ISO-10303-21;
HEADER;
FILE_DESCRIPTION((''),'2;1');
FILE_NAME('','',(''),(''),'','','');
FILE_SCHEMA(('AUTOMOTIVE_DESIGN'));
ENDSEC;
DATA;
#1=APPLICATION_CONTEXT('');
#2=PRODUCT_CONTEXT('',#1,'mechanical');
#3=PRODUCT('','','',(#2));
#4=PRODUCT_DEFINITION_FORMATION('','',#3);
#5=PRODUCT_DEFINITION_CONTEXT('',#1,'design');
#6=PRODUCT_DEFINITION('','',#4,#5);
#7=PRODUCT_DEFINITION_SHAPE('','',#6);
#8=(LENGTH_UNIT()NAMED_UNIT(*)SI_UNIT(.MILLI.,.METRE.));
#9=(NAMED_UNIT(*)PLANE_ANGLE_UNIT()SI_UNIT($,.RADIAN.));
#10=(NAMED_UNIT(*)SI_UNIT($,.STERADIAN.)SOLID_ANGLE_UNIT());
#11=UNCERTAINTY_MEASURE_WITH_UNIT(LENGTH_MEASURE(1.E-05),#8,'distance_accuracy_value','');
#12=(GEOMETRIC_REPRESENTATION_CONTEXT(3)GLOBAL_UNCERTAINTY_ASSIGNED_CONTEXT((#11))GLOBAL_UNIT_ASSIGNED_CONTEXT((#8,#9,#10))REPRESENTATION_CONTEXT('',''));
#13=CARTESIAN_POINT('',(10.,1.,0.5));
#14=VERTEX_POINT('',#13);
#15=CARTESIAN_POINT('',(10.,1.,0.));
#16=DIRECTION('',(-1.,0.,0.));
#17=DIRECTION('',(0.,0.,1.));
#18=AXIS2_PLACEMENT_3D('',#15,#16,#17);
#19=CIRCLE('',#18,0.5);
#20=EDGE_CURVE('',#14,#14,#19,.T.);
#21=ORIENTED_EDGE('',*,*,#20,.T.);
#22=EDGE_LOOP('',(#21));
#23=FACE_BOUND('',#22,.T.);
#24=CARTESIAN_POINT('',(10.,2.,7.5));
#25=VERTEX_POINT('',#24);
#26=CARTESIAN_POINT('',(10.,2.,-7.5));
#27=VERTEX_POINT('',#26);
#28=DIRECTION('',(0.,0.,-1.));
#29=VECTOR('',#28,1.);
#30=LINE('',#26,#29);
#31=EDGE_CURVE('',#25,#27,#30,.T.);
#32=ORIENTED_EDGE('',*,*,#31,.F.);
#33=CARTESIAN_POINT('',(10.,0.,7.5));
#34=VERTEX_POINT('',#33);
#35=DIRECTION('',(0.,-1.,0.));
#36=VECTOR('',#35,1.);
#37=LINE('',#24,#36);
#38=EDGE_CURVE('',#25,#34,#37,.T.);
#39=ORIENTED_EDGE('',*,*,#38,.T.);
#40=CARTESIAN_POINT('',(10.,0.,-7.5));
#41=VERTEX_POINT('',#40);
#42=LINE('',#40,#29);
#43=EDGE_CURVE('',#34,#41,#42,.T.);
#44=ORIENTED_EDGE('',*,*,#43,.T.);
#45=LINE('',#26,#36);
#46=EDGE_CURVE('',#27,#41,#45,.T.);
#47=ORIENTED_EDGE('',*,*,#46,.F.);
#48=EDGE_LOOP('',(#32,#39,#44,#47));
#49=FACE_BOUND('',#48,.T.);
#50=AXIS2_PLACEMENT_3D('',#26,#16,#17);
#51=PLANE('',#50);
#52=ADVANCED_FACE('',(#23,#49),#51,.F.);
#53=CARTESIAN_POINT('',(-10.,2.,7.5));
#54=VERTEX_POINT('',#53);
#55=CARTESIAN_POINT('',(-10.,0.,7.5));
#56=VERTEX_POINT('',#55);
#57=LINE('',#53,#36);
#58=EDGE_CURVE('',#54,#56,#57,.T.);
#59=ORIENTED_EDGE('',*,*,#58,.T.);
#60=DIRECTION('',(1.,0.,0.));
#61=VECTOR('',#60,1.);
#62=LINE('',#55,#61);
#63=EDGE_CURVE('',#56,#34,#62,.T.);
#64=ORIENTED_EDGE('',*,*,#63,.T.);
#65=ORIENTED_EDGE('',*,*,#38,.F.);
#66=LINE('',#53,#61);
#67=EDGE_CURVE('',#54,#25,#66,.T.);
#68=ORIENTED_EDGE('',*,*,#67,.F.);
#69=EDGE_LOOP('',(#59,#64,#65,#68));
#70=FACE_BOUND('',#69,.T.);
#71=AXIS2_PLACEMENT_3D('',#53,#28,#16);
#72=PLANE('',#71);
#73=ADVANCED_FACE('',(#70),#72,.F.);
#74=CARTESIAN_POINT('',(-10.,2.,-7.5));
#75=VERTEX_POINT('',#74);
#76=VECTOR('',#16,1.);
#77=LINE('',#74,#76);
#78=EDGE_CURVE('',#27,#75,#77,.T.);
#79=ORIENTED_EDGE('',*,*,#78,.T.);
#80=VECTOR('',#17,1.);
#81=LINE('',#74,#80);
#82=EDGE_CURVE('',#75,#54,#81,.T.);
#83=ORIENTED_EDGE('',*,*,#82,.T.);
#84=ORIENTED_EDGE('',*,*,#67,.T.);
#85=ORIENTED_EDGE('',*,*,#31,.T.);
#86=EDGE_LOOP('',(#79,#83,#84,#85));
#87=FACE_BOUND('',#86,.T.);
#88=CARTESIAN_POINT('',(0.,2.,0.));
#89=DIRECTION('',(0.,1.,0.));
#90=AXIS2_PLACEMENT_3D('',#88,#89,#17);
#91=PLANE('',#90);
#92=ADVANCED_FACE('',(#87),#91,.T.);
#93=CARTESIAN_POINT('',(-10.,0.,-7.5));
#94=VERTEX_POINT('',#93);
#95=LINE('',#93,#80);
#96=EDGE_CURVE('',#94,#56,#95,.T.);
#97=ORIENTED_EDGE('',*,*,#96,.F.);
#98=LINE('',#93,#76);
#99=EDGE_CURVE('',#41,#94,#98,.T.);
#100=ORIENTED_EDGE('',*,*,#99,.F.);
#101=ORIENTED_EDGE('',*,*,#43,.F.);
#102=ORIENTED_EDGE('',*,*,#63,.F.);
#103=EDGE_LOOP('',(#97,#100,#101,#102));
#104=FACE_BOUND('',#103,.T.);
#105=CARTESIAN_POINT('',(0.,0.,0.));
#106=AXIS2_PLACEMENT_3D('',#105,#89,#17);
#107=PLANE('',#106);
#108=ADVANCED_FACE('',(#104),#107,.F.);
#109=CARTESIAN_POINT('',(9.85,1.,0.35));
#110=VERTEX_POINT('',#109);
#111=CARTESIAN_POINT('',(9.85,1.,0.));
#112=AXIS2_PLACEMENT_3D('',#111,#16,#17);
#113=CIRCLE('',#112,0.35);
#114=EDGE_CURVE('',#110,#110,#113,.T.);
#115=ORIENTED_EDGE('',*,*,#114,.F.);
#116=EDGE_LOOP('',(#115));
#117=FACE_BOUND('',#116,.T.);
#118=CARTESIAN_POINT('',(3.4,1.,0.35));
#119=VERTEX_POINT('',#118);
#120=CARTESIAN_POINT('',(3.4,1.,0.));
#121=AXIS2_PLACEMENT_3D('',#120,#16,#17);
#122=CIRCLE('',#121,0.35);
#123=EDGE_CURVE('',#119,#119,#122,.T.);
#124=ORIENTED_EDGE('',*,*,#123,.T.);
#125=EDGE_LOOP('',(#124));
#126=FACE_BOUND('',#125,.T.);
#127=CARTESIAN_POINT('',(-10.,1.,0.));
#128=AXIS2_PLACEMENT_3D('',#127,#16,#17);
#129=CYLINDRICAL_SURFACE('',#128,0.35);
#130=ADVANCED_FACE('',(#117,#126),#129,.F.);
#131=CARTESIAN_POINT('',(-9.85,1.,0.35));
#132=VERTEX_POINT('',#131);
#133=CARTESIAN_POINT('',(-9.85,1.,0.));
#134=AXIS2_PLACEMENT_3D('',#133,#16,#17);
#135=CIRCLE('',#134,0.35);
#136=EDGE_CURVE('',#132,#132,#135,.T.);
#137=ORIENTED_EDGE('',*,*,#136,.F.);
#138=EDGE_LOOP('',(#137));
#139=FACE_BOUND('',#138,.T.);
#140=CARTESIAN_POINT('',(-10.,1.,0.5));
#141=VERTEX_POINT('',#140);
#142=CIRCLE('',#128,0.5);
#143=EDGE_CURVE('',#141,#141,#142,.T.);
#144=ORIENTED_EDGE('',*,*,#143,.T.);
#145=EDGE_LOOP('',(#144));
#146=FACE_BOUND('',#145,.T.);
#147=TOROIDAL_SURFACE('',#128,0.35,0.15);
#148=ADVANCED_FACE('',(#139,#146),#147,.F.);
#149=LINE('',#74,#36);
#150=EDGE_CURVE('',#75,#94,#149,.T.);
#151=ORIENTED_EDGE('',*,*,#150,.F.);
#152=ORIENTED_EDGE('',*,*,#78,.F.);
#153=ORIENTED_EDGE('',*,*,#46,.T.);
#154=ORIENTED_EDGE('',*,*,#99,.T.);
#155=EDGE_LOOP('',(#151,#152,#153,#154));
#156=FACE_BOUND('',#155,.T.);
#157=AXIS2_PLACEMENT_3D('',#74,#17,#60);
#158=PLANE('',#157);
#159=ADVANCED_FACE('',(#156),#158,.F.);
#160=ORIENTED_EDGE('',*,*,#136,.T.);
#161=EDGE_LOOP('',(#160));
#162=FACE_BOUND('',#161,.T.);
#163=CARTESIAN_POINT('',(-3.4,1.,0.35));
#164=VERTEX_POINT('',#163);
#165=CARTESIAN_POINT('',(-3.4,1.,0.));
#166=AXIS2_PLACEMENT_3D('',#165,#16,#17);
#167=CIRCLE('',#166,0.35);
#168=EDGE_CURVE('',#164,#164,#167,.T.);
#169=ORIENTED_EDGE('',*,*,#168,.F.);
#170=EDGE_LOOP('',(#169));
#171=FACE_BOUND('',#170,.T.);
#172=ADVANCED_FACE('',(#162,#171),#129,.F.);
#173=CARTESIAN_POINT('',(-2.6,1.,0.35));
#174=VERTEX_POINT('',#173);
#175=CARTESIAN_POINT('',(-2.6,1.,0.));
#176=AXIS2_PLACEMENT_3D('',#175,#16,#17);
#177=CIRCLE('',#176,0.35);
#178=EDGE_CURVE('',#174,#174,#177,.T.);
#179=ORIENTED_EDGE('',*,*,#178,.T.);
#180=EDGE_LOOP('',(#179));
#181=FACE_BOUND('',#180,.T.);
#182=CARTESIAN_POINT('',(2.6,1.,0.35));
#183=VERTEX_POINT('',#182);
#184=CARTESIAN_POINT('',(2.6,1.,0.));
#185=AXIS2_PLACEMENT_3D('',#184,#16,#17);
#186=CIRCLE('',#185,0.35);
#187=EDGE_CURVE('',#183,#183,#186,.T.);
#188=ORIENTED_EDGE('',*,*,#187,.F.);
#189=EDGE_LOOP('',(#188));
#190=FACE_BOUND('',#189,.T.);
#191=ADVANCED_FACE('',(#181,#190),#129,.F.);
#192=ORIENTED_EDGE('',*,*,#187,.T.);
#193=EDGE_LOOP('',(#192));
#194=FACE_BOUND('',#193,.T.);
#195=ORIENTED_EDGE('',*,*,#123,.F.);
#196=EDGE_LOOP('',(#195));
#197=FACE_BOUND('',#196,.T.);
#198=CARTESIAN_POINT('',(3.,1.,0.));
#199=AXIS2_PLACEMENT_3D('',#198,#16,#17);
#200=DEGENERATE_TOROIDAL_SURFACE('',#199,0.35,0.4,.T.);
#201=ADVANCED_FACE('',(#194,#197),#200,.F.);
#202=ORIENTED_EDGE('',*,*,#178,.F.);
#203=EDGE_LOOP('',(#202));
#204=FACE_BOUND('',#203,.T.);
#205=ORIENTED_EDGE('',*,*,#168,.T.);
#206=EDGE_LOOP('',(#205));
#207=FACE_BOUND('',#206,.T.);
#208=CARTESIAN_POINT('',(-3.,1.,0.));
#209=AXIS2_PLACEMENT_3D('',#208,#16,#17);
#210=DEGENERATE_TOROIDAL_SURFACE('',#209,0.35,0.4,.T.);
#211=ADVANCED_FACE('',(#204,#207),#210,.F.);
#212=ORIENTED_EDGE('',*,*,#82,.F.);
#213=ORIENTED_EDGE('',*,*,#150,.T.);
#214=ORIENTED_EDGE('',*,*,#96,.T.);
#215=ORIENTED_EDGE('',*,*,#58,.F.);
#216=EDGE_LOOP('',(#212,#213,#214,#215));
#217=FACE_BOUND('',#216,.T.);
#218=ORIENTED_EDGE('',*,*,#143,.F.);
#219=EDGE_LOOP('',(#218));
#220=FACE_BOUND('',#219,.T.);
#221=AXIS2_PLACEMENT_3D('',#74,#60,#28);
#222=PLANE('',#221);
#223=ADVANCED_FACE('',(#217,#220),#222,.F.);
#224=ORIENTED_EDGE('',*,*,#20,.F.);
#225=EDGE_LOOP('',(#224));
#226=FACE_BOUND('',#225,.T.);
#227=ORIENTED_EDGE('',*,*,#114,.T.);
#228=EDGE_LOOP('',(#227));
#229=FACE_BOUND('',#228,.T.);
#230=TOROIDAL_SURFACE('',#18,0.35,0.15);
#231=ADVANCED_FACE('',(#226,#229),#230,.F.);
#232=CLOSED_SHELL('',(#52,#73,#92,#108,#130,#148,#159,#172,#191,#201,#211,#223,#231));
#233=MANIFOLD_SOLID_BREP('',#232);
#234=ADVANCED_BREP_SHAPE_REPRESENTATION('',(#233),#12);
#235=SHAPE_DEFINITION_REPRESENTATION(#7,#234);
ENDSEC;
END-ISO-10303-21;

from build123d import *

# Parameters (mm, degrees)
SKETCH1_W           = 20
SKETCH1_H           = 15
BOSS_EXTRUDE1_DEPTH = 2


with BuildPart() as part:
    # Sketch1 → Boss-Extrude1 (new body)
    with BuildSketch(Plane(origin=(0, 0, 0), x_dir=(1, 0, 0), z_dir=(0, 1, 0))):
        Rectangle(SKETCH1_W, SKETCH1_H)
    extrude(amount=BOSS_EXTRUDE1_DEPTH)

    # Sketch2 → Cut-Revolve1 (revolve, cut)
    with BuildSketch(Plane.XY, mode=Mode.PRIVATE) as cut_revolve1_sk:
        with BuildLine():
            Line((-10, 1), (10, 1))
            Line((10, 1), (10, 1.5))
            ThreePointArc((10, 1.5), (9.893933983, 1.456066017), (9.85, 1.35))
            Line((9.85, 1.35), (3.4, 1.35))
            ThreePointArc((3.4, 1.35), (3, 1.75), (2.6, 1.35))
            Line((2.6, 1.35), (-2.6, 1.35))
            ThreePointArc((-2.6, 1.35), (-3, 1.75), (-3.4, 1.35))
            Line((-3.4, 1.35), (-9.85, 1.35))
            ThreePointArc((-9.85, 1.35), (-9.893933983, 1.456066017), (-10, 1.5))
            Line((-10, 1.5), (-10, 1))
        make_face()
    revolve(cut_revolve1_sk.sketch.rotate(Axis((-10, 1, 0), (1, 0, 0)), 90), axis=Axis((-10, 1, 0), (1, 0, 0)), mode=Mode.SUBTRACT)


solid = part.part
